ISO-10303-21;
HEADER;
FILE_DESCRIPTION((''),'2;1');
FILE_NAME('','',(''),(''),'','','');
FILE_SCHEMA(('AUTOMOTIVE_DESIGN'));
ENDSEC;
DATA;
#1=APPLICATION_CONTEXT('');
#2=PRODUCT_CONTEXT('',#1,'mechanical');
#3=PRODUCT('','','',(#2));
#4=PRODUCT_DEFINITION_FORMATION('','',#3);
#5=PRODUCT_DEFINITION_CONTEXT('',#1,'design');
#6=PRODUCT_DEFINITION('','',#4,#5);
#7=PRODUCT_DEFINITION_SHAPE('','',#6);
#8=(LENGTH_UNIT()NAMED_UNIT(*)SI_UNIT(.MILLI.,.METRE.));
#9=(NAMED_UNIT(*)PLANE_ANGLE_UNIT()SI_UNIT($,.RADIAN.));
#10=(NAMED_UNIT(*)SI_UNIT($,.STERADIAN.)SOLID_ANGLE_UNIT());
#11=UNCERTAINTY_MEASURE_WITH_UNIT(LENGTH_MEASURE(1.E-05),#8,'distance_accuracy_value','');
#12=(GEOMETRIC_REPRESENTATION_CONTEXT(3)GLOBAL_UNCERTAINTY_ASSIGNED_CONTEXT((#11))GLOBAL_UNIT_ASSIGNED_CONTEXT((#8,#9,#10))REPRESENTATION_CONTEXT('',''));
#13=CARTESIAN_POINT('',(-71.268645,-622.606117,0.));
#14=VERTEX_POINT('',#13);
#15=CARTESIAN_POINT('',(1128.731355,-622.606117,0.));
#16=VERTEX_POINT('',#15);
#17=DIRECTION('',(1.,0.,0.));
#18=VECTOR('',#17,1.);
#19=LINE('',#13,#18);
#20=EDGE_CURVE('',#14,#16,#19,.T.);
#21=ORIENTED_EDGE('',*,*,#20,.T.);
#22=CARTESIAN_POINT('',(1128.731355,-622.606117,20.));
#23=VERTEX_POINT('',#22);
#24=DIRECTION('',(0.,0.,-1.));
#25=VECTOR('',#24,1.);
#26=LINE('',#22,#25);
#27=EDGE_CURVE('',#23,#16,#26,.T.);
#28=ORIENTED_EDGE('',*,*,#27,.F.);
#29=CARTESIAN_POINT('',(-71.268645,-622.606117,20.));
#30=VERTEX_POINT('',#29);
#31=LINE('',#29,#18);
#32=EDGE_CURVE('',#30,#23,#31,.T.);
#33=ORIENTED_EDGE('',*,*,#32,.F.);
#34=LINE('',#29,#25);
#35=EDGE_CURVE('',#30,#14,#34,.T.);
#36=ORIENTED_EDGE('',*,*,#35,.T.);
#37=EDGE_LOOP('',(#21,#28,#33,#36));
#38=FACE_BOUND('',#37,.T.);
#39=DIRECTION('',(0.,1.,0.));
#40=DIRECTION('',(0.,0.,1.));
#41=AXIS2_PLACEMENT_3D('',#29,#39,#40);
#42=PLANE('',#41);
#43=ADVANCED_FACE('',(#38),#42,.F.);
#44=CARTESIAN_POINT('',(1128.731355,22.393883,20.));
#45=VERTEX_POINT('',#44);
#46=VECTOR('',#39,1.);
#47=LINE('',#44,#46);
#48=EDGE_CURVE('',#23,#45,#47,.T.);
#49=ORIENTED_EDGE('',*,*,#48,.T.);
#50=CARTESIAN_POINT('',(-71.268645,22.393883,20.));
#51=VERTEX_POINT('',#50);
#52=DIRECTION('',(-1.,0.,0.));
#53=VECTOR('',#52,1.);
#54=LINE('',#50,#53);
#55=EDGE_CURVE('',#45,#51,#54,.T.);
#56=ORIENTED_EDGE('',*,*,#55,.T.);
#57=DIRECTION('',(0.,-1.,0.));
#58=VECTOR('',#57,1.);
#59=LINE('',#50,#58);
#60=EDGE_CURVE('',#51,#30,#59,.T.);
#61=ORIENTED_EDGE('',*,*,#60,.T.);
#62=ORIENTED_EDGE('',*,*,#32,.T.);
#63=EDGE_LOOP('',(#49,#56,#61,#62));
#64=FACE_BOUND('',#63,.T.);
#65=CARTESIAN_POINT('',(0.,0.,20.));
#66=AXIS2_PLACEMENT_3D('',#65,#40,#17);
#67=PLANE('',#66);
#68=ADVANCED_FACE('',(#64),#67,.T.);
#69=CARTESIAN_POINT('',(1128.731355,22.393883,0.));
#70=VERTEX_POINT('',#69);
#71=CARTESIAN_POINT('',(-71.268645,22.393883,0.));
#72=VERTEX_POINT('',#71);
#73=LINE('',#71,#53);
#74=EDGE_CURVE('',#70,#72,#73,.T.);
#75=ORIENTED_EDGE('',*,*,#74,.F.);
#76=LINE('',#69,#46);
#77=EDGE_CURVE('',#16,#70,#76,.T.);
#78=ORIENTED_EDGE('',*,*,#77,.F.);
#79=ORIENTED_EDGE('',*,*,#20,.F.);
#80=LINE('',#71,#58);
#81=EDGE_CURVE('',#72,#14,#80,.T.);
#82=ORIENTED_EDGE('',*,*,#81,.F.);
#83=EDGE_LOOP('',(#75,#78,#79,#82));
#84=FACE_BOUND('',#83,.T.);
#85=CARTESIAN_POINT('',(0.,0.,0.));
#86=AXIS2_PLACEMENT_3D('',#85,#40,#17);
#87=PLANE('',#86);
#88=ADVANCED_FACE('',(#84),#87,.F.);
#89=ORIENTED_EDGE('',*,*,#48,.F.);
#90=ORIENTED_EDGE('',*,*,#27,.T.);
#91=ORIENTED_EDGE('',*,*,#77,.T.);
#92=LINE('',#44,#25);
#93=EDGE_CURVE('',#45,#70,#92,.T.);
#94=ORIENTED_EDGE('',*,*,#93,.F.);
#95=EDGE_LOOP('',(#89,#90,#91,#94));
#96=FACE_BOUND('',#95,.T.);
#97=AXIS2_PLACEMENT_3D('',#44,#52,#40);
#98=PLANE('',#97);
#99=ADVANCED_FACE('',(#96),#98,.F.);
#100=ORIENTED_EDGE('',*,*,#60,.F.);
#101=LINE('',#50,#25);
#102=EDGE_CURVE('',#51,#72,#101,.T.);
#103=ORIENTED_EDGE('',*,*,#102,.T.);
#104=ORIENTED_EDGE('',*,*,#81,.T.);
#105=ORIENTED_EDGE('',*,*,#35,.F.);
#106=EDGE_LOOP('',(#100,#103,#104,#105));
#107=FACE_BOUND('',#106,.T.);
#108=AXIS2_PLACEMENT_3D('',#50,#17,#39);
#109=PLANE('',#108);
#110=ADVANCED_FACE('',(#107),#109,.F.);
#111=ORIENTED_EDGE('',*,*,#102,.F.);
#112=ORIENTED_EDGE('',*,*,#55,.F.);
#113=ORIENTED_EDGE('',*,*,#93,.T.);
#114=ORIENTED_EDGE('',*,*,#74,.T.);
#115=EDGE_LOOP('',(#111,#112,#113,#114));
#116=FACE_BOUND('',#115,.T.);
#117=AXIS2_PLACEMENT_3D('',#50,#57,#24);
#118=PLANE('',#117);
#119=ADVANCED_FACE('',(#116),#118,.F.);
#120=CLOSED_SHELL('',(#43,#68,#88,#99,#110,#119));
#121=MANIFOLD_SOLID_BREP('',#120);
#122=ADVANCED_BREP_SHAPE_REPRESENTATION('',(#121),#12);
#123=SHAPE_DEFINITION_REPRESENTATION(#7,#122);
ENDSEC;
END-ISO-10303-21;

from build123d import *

# Parameters (mm, degrees)
CROQUIS1_W              = 1200
CROQUIS1_H              = 645
SALIENTE_EXTRUIR1_DEPTH = 20


with BuildPart() as part:
    # Croquis1 → Saliente-Extruir1 (new body)
    with BuildSketch(Plane.XY):
        with Locations((528.731355179, -300.106117021)):
            Rectangle(CROQUIS1_W, CROQUIS1_H)
    extrude(amount=SALIENTE_EXTRUIR1_DEPTH)


solid = part.part
